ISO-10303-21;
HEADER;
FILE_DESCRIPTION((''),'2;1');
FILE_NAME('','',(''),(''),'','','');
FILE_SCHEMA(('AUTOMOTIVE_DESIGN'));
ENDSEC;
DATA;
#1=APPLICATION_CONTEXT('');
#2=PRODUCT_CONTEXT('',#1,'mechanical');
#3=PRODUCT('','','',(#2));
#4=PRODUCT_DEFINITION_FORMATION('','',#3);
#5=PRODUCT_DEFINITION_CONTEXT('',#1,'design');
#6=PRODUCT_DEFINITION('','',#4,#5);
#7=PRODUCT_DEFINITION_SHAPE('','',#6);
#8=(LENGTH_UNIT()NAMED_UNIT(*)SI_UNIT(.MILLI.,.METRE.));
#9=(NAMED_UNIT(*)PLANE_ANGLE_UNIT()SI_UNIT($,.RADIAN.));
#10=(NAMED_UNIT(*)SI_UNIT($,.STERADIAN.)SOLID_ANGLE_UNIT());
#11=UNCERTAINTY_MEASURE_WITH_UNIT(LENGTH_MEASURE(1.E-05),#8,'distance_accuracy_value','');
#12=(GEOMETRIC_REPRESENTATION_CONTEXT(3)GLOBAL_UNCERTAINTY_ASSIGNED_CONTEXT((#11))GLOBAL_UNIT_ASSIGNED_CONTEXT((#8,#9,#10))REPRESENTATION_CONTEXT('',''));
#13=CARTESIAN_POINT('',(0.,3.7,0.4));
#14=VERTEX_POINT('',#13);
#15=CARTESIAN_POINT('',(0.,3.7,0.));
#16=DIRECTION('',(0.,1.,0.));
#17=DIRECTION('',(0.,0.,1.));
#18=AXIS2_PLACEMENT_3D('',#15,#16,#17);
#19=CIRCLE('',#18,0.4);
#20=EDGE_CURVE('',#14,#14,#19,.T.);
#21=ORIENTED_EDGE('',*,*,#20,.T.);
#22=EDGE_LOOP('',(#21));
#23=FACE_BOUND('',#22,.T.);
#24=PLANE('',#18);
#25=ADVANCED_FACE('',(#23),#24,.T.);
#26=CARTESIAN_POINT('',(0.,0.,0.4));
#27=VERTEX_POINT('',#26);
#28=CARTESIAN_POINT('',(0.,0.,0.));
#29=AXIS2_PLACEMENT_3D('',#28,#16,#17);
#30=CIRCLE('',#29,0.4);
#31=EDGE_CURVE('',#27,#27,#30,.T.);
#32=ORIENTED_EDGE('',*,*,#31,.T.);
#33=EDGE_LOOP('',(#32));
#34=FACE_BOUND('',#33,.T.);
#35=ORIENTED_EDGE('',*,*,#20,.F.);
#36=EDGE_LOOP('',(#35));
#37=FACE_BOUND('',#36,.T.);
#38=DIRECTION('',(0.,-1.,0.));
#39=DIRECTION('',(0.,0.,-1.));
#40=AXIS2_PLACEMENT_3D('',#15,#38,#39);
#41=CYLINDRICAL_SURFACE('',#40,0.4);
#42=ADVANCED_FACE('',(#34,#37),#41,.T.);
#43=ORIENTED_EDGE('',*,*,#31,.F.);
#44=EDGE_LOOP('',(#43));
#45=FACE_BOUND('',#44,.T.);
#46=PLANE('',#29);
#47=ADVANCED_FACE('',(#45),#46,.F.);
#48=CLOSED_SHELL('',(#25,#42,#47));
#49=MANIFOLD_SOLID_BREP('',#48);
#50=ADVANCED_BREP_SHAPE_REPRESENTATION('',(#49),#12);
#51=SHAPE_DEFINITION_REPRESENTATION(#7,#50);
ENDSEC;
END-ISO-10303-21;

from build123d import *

# Parameters (mm, degrees)
SKETCH1_R           = 0.4
BOSS_EXTRUDE1_DEPTH = 3.7


with BuildPart() as part:
    # Sketch1 → Boss-Extrude1 (new body)
    with BuildSketch(Plane(origin=(0, 0, 0), x_dir=(1, 0, 0), z_dir=(0, 1, 0))):
        Circle(SKETCH1_R)
    extrude(amount=BOSS_EXTRUDE1_DEPTH)


solid = part.part
